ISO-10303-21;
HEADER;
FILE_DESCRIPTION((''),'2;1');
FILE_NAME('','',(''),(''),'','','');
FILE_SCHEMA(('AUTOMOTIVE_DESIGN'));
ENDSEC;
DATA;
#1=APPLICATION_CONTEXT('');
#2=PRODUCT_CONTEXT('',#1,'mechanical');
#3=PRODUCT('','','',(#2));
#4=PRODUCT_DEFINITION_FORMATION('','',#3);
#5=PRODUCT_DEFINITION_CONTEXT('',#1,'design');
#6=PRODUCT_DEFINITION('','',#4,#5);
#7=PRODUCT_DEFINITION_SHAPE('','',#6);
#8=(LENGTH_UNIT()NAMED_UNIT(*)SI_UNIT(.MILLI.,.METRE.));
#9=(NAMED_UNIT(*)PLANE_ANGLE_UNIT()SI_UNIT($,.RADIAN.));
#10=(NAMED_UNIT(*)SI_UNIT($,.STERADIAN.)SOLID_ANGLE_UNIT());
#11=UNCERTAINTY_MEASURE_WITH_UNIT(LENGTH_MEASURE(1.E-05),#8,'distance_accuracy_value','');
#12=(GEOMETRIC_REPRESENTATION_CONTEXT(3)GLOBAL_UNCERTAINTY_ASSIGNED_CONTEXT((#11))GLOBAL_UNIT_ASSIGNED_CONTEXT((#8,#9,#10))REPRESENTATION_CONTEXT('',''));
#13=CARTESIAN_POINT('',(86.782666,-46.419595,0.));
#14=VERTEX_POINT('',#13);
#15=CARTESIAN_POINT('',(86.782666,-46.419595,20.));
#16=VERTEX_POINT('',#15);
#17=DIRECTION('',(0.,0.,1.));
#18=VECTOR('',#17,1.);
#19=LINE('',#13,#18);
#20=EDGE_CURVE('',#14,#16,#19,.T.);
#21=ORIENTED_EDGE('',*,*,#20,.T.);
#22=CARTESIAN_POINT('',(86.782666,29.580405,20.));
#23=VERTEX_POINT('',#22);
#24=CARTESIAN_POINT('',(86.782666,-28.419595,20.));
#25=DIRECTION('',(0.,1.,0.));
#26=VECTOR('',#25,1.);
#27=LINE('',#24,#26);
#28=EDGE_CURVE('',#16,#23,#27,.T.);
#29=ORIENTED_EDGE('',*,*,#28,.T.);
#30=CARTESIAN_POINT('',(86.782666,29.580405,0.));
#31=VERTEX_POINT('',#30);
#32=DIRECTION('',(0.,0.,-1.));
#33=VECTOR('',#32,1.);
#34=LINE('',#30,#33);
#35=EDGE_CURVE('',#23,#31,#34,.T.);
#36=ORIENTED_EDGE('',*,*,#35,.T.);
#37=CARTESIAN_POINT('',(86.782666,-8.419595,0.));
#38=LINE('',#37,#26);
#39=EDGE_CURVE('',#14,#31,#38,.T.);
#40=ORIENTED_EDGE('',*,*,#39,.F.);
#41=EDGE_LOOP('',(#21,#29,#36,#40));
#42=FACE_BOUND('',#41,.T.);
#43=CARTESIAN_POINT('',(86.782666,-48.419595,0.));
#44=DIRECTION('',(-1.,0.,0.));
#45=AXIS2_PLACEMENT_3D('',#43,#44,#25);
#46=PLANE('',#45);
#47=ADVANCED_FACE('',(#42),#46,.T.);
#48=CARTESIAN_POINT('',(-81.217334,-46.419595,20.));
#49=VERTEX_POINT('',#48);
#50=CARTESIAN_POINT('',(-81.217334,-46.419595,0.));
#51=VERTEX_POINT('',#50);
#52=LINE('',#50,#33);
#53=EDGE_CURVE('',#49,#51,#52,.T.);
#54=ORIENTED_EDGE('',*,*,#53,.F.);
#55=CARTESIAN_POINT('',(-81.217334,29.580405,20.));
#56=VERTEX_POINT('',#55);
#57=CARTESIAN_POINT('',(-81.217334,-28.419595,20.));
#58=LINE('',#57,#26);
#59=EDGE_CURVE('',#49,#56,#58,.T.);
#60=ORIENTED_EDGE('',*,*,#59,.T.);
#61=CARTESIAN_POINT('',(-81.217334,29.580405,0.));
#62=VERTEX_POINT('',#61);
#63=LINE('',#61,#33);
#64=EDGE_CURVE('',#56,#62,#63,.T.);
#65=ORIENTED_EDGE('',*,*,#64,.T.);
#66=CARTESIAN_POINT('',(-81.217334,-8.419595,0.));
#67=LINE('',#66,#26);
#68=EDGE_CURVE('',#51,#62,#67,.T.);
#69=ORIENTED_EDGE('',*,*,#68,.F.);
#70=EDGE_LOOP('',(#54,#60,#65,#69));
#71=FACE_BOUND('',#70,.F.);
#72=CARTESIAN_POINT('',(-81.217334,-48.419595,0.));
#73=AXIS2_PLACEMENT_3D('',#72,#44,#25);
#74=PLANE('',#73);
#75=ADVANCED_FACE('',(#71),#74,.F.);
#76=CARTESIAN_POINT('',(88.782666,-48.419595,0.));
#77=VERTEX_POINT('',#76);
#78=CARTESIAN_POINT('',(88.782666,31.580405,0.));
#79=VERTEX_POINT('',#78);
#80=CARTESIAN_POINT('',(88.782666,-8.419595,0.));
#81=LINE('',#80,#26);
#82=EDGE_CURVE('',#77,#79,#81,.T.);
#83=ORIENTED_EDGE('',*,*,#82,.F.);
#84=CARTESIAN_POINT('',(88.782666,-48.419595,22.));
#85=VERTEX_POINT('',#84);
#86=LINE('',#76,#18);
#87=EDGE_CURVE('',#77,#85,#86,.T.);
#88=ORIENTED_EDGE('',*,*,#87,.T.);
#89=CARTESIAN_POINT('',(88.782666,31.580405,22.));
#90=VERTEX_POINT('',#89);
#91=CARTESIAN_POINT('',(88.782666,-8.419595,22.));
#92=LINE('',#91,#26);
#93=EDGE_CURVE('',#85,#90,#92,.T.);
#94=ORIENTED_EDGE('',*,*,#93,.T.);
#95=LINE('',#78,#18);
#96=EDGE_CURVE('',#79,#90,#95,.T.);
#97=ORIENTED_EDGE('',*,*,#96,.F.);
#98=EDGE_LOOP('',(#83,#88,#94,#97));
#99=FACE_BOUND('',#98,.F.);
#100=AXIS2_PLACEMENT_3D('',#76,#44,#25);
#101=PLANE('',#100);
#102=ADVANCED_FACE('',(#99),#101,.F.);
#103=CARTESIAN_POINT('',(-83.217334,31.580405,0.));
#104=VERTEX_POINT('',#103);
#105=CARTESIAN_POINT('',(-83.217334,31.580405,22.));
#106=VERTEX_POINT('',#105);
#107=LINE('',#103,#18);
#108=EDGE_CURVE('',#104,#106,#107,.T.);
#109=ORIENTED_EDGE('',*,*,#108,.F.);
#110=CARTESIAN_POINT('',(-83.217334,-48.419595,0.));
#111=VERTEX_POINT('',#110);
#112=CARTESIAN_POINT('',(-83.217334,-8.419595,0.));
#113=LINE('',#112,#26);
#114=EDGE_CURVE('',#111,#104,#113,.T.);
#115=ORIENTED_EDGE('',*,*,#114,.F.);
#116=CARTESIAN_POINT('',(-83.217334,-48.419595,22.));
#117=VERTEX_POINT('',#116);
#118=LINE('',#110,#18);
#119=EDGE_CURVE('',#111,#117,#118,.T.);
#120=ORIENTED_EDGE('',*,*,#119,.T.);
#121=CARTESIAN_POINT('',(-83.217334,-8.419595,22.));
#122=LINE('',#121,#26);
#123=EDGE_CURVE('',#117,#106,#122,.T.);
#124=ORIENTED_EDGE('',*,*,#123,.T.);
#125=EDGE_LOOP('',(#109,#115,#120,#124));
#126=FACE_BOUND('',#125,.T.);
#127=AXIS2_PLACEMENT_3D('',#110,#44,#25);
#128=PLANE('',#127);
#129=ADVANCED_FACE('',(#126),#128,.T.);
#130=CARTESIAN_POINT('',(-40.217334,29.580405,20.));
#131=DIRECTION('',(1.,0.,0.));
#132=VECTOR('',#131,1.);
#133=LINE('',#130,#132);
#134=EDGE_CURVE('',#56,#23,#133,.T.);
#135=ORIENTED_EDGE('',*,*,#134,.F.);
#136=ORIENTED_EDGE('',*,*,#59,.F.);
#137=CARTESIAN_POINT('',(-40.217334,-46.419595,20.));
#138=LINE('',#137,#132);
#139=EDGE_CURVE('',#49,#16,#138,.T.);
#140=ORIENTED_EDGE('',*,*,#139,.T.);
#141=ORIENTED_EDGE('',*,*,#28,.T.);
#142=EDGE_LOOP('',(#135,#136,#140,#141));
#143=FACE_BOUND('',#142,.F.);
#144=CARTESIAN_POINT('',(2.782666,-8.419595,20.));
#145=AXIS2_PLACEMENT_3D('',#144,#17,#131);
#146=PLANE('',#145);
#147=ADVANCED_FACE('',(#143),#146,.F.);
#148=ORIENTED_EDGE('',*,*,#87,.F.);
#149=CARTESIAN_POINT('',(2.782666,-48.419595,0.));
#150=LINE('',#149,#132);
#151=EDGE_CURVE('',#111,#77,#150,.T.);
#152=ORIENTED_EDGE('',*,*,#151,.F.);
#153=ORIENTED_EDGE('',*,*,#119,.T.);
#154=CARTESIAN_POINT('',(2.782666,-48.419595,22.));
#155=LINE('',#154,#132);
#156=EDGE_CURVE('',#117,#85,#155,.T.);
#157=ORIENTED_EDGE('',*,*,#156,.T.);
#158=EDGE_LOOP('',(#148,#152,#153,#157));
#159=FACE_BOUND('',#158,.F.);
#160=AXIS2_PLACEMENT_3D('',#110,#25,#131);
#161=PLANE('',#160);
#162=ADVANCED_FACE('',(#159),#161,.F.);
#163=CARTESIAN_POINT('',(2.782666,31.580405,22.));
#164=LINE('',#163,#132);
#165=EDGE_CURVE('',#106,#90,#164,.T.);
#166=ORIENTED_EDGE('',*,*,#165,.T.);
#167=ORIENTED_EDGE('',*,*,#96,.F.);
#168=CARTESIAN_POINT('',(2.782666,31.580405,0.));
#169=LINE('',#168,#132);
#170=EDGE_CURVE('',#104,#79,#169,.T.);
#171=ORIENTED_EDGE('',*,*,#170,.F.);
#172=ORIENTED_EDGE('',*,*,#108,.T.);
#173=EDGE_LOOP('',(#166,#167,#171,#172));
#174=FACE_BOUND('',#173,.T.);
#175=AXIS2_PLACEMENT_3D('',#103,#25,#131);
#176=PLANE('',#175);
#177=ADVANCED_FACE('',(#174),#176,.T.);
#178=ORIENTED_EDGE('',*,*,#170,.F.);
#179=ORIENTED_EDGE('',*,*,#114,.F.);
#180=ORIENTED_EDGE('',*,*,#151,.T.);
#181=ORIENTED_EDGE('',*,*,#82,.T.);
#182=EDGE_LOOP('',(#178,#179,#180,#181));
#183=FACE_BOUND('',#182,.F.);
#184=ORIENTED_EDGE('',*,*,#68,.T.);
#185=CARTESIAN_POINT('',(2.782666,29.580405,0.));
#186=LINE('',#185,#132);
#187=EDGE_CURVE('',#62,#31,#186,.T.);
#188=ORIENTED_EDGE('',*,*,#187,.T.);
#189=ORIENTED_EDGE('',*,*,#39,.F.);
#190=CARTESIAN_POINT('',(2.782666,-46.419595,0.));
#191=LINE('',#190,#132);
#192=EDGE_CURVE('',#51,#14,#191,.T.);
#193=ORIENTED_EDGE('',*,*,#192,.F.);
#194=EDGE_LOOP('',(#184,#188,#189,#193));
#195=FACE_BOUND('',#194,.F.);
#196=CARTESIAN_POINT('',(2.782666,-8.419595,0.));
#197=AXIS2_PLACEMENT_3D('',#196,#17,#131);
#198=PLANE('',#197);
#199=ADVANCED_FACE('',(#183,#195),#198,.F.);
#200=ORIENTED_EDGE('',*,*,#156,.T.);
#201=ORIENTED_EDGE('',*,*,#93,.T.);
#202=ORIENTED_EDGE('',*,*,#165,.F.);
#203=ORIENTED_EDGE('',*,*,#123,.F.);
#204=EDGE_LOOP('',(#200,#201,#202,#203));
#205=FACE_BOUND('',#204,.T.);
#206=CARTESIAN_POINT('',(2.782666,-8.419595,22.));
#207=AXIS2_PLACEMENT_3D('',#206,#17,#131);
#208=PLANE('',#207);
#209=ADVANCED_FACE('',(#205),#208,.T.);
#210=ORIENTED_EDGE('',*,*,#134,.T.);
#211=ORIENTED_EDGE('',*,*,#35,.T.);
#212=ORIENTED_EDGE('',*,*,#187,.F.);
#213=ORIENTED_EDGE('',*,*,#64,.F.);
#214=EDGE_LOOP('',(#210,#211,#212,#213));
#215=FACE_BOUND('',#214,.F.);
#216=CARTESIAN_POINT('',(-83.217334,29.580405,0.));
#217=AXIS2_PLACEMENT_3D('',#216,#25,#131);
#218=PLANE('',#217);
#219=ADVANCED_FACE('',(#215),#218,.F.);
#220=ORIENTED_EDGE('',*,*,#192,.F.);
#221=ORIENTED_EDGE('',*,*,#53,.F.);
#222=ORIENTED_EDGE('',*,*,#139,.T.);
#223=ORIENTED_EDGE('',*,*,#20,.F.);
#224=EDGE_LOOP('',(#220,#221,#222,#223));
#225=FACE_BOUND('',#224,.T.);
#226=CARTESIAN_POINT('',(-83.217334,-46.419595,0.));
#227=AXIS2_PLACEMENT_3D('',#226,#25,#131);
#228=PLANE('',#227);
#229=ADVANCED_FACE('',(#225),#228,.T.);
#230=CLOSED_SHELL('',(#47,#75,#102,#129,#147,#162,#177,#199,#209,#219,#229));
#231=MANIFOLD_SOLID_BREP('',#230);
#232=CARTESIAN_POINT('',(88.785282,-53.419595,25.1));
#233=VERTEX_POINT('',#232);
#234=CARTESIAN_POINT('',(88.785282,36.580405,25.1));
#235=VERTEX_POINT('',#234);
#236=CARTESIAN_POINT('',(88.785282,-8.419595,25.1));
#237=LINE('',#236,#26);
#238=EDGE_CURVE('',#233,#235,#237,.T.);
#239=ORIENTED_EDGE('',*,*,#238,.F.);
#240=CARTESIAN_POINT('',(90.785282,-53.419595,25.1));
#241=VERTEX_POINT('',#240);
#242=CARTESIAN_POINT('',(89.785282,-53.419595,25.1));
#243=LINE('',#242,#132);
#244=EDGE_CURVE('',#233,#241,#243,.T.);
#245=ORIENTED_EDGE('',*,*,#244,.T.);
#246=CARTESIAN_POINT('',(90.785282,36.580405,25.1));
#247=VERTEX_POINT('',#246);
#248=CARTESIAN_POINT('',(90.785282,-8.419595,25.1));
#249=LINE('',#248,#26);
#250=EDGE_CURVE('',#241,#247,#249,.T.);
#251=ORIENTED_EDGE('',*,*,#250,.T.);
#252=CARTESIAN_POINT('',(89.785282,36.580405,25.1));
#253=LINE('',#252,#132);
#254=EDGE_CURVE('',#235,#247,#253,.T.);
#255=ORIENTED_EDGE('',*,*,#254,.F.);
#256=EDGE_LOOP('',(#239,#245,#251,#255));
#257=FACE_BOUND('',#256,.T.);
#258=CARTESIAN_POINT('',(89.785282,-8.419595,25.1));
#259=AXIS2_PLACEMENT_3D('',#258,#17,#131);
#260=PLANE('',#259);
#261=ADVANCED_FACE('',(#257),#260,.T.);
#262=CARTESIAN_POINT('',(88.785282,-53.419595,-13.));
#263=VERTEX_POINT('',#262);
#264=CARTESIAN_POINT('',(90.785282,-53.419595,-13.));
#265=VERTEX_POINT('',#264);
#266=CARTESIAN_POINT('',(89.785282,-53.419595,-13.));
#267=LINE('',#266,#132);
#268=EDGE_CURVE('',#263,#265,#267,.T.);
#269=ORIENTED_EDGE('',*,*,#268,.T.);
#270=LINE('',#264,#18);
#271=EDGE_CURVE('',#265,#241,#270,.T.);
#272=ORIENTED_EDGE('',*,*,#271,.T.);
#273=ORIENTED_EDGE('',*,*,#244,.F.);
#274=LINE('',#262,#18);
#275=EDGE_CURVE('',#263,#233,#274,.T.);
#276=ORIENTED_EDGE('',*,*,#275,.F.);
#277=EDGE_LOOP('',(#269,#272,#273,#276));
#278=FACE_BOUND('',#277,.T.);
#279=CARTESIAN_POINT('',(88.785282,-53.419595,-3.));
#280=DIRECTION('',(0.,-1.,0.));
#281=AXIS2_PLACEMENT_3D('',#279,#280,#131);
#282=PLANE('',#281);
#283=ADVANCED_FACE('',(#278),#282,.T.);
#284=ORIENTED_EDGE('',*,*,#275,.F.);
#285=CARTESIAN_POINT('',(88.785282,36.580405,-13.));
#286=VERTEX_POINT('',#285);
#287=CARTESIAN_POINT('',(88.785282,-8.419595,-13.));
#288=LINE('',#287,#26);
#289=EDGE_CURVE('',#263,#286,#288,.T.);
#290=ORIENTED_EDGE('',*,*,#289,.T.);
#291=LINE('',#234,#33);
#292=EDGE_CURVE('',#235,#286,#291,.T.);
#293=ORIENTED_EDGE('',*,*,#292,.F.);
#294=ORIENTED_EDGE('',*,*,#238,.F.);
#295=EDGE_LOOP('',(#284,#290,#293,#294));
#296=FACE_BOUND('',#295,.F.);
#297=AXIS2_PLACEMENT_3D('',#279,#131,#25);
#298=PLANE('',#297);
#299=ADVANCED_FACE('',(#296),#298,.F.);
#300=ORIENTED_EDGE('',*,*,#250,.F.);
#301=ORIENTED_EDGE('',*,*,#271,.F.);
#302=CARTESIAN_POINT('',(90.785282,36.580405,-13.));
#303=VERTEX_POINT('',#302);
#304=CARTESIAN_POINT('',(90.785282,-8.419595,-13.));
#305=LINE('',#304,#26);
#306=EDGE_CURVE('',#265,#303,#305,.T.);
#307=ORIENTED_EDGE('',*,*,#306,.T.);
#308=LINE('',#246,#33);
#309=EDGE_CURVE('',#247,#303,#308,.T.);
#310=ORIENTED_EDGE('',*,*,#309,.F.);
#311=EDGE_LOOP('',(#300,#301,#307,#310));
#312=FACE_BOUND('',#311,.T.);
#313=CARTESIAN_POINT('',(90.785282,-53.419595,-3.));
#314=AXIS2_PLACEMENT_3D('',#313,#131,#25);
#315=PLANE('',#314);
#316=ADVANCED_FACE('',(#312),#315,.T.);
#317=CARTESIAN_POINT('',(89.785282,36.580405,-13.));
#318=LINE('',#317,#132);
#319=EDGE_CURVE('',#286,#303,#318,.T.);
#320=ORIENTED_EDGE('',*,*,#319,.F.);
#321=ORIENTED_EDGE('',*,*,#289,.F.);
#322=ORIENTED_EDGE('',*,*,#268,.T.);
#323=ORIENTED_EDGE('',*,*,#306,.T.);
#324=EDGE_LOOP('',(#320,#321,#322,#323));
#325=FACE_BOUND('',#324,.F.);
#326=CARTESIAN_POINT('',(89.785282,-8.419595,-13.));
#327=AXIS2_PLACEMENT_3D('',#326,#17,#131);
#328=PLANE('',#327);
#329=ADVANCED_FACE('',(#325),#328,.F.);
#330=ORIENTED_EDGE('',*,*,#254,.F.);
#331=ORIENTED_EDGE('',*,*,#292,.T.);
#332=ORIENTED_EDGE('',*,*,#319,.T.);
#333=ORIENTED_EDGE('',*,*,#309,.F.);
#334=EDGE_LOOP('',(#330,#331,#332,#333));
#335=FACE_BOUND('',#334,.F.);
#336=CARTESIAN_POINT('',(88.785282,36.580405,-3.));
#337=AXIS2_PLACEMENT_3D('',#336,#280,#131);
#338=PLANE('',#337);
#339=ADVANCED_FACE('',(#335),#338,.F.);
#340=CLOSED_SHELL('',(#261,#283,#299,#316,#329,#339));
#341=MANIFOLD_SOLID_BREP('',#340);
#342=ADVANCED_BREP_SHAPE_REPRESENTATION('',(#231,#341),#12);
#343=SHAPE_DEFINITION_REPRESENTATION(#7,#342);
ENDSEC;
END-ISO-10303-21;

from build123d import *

# Parameters (mm, degrees)
F0_W     = 172
F0_H     = 80
F1_DEPTH = 22
F2_T     = -2
F3_W     = 2
F3_H     = 90
F4_DEPTH = 22.1
F5_DEPTH = 3
F6_DEPTH = 3
F7_DEPTH = 10


with BuildPart() as f1:
    # F0 (on Top) → F1 (new body)
    with BuildSketch(Plane.XY):
        with Locations((2.7826657335, -8.4195947275)):
            Rectangle(F0_W, F0_H)
    extrude(amount=F1_DEPTH)

    # F2
    f2_openings = [f1.faces().sort_by_distance(p)[0] for p in [
        (2.782666, -8.419595, 0),
    ]]
    offset(amount=F2_T, openings=f2_openings)


with BuildPart() as f4:
    # F3 (on Top) → F4 (new body)
    with BuildSketch(Plane.XY):
        with Locations((89.7852818131, -8.4195947275)):
            Rectangle(F3_W, F3_H)
    extrude(amount=F4_DEPTH)

    # F5 (add): a face of the model
    f5_faces = [f4.faces().sort_by_distance(p)[0] for p in [
        (89.7852818131, -8.4195947275, 0),
    ]]
    extrude(f5_faces, amount=F5_DEPTH)

    # F6 (add): a face of the model
    f6_faces = [f4.faces().sort_by_distance(p)[0] for p in [
        (89.7852818131, -8.4195947275, 22.1),
    ]]
    extrude(f6_faces, amount=F6_DEPTH)

    # F7 (add): a face of the model
    f7_faces = [f4.faces().sort_by_distance(p)[0] for p in [
        (89.7852818131, -8.4195947275, -3),
    ]]
    extrude(f7_faces, amount=F7_DEPTH)


solid = Compound([f1.part, f4.part])
